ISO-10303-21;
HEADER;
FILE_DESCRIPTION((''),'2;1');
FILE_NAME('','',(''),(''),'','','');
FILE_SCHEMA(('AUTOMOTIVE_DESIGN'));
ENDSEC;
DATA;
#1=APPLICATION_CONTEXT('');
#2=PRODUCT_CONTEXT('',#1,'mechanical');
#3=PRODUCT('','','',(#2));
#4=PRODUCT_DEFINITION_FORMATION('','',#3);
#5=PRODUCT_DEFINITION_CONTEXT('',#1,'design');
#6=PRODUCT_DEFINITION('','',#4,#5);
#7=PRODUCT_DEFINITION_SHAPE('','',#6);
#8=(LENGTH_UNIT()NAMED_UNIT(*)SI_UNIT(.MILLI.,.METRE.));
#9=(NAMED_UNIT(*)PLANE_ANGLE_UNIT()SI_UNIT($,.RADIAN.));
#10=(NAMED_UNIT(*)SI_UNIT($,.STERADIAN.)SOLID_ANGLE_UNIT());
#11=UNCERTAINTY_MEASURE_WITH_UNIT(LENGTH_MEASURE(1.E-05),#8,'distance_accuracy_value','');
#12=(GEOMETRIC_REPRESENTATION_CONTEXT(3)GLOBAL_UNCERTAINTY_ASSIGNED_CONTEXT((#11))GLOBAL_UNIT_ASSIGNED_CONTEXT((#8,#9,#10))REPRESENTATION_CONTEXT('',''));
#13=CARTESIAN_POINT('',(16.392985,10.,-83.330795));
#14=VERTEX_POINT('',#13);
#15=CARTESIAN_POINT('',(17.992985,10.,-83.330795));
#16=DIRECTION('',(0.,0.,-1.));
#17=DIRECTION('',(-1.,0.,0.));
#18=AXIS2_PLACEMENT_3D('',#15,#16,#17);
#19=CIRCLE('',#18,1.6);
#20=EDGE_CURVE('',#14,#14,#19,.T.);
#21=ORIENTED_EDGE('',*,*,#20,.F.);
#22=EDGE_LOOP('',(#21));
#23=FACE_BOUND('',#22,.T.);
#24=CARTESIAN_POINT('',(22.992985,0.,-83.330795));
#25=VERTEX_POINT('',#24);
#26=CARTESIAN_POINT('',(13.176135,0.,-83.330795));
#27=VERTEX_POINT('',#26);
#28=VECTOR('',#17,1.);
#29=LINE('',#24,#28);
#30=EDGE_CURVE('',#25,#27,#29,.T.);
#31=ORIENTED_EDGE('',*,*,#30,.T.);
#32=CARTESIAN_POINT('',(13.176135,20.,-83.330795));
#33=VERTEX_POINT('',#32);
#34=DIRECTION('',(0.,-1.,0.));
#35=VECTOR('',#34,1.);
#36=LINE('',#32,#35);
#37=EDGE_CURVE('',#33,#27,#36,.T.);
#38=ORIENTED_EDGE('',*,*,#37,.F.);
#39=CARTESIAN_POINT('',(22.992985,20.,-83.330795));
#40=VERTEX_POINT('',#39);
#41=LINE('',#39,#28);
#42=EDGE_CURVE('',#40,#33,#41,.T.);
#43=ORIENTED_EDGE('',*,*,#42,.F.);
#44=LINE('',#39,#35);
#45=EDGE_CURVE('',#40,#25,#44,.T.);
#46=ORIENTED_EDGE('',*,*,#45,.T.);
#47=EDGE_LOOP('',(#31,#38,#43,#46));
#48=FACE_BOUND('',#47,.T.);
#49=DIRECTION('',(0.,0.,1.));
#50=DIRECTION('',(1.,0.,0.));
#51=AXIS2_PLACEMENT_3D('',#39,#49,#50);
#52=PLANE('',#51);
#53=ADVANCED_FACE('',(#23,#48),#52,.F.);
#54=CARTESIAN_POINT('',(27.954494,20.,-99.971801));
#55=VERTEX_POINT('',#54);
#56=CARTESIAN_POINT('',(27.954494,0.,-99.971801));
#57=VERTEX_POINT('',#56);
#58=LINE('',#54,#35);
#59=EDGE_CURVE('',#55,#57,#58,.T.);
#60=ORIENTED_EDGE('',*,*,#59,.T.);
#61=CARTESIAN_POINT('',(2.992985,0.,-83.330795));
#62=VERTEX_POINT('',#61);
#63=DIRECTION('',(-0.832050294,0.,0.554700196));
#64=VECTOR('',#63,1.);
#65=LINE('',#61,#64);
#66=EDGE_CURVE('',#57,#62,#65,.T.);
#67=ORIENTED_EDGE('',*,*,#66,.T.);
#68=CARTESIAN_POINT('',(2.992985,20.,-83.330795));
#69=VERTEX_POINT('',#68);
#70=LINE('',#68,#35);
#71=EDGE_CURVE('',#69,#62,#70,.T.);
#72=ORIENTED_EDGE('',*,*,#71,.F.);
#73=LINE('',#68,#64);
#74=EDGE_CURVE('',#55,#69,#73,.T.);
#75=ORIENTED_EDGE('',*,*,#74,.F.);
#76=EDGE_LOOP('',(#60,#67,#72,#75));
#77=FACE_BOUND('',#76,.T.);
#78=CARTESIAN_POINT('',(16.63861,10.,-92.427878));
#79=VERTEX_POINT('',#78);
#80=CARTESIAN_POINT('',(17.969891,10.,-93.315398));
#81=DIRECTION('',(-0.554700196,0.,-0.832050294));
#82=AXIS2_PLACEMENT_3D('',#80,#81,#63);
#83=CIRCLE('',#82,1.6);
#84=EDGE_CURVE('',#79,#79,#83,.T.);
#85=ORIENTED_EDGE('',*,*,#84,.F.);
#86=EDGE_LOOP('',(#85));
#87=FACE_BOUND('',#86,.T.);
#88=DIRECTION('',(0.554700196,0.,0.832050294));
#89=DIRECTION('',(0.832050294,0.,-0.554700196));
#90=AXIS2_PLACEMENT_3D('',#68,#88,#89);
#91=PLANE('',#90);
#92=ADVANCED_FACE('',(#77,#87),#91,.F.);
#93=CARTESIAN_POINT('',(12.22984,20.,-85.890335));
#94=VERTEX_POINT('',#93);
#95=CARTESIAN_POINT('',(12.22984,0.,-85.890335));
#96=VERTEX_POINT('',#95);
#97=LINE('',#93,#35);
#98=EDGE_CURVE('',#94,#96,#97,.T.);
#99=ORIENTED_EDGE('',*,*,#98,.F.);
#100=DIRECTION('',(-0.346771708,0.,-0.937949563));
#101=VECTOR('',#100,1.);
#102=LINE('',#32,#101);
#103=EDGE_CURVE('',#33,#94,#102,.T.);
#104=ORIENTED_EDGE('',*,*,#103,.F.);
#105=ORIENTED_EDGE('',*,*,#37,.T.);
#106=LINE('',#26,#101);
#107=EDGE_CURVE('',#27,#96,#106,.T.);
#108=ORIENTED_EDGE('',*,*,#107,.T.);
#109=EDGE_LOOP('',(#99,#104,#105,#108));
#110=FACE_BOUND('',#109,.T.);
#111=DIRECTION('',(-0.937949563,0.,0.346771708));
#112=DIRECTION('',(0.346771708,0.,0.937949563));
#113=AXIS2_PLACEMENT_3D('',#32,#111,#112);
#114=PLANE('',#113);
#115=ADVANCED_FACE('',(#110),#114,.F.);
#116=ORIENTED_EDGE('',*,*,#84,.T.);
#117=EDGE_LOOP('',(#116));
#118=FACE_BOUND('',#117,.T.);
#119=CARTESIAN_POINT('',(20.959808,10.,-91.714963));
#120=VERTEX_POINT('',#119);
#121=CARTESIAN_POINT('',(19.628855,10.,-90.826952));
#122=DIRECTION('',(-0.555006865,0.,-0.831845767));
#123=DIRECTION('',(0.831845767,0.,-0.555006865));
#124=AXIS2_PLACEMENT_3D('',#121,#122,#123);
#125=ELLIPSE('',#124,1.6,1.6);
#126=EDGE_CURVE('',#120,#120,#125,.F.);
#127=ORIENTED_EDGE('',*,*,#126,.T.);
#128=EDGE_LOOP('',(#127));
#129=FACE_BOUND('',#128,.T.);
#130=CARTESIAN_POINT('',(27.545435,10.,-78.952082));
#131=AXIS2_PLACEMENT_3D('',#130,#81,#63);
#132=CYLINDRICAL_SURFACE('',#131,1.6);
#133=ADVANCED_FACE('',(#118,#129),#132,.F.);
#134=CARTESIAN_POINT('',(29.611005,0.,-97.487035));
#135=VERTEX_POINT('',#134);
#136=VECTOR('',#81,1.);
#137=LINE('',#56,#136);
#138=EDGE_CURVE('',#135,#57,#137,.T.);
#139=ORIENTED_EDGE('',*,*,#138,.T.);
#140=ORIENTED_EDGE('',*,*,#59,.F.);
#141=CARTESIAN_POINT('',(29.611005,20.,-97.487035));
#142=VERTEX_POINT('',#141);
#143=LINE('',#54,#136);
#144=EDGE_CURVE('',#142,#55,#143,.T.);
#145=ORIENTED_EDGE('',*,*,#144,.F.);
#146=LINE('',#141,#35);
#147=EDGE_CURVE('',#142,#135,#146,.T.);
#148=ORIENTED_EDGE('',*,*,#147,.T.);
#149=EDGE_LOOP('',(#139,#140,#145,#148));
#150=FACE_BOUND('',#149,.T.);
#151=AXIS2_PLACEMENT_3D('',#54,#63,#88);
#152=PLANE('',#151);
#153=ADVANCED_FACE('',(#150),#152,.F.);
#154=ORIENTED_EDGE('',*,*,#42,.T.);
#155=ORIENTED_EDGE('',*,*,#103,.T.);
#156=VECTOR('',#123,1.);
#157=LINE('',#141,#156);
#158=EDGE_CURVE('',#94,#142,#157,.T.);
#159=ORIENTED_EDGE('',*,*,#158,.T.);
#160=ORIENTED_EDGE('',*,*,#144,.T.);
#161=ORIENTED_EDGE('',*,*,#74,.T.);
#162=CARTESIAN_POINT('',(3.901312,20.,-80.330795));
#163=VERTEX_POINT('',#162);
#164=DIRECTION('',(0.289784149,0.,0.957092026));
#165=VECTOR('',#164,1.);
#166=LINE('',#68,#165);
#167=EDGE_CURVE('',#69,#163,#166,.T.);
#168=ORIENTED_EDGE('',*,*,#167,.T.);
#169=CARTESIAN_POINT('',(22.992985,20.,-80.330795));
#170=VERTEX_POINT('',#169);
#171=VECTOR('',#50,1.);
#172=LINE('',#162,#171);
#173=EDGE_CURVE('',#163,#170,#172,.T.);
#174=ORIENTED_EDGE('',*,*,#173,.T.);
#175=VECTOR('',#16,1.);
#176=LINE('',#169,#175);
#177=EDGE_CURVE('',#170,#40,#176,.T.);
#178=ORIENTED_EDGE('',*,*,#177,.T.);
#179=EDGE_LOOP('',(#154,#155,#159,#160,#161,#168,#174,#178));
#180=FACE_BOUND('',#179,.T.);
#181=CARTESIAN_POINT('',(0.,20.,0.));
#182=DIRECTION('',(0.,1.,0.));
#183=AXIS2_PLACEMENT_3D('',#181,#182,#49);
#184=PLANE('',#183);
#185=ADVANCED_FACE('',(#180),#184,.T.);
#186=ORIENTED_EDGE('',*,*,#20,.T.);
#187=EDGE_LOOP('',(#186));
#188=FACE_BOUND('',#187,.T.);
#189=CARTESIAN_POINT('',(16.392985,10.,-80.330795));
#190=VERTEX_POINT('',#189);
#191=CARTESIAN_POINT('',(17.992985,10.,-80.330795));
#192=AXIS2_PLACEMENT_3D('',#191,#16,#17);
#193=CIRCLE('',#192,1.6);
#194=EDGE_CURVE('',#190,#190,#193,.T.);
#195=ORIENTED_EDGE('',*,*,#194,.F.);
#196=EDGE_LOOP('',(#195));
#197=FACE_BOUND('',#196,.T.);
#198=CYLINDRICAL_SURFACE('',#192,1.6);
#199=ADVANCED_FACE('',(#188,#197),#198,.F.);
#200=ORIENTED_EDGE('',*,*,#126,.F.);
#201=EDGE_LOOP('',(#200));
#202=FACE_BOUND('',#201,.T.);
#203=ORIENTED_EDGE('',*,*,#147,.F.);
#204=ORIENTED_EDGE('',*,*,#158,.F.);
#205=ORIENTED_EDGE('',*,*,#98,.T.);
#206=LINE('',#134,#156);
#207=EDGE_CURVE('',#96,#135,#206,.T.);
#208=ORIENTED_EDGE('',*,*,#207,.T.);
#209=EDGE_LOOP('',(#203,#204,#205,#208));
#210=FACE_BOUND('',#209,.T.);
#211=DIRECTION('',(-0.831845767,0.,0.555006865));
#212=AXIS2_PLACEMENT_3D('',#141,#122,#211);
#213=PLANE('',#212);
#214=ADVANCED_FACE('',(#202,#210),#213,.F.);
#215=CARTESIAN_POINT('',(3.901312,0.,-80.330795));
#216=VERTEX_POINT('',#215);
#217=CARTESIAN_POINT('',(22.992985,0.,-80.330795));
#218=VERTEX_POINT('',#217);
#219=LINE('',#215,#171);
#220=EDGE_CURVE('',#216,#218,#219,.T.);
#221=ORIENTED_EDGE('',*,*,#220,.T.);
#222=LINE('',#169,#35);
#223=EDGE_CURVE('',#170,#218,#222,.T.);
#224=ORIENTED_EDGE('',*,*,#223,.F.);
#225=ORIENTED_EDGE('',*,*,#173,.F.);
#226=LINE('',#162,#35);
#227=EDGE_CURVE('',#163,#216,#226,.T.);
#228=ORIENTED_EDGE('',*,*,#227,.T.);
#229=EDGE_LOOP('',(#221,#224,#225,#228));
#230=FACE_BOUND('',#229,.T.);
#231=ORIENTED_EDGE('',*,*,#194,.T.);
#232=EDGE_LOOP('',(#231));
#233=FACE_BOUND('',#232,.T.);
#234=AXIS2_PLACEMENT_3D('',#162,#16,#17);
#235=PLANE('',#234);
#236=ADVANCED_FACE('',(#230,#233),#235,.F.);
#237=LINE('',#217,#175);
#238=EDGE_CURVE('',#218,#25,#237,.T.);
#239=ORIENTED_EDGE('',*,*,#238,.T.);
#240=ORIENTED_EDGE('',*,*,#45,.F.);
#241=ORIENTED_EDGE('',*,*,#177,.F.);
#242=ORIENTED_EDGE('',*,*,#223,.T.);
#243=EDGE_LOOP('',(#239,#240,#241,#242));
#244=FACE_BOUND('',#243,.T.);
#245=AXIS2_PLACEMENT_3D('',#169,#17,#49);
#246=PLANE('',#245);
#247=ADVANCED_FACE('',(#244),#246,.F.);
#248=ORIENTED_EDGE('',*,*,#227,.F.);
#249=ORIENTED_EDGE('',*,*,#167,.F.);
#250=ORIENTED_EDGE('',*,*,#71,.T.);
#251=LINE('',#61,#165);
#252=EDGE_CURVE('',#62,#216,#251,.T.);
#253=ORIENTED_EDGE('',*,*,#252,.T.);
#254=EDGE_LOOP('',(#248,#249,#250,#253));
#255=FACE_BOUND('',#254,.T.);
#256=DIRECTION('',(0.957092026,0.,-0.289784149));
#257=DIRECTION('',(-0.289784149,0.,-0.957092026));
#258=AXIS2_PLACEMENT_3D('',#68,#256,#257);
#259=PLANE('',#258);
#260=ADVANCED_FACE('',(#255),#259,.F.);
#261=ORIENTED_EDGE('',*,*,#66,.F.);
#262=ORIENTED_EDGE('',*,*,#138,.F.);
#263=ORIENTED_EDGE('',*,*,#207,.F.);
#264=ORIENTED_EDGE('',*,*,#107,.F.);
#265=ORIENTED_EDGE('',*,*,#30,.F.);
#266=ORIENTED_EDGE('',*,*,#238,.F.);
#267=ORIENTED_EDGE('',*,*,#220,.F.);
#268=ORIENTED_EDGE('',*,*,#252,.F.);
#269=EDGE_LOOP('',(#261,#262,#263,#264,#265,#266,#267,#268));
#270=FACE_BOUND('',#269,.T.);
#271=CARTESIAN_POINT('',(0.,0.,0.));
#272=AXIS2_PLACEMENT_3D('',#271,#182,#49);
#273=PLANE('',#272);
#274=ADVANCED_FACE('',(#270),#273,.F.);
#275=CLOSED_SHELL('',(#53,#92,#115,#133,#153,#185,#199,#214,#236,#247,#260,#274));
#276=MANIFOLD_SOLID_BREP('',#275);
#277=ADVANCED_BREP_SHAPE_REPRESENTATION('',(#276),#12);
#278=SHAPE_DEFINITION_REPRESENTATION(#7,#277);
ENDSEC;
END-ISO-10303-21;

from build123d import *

# Parameters (mm, degrees)
EXTRUDE_1_DEPTH     = 20
SKETCH_4_R          = 1.6
CUT_EXTRUDE_1_DEPTH = 4
CUT_EXTRUDE_2_REACH = 19.261
SKETCH_5_R          = 1.6


with BuildPart() as part:
    # 草图1 → 凸台-拉伸1 (new body)
    with BuildSketch(Plane(origin=(0, 0, 0), x_dir=(1, 0, 0), z_dir=(0, 1, 0))):
        Polygon((3.90131241, 80.330794947), (22.992985496, 80.330794947), (22.992985496, 83.330794947), (13.176134515, 83.330794947), (12.229840324, 85.890335427), (29.611004769, 97.487035171), (27.954494327, 99.971800834), (2.992985496, 83.330794947), align=None)
    extrude(amount=EXTRUDE_1_DEPTH)

    # 草图4 → 切除-拉伸1 (cut, through all)
    with BuildSketch(Plane(origin=(0, 0, -83.330794947), x_dir=(-1, 0, 0), z_dir=(0, 0, -1))):
        with Locations((-17.992985496, 10)):
            Circle(SKETCH_4_R)
    extrude(amount=-CUT_EXTRUDE_1_DEPTH, mode=Mode.SUBTRACT)

    # 草图5 → 切除-拉伸2 (cut, up to next)
    with BuildSketch(Plane(origin=(-37.539448284, 0, -56.309172427), x_dir=(-0.832050294, 0, 0.554700196), z_dir=(-0.554700196, 0, -0.832050294)), mode=Mode.PRIVATE) as cut_extrude_2_sk1:
        with Locations((-66.713922772, 10)):
            Circle(SKETCH_5_R)
    cut_extrude_2_tool1 = extrude(cut_extrude_2_sk1.sketch, amount=-CUT_EXTRUDE_2_REACH, mode=Mode.PRIVATE) & part.part
    add(cut_extrude_2_tool1.solids().sort_by_distance((17.969891, 10, -93.315398))[0], mode=Mode.SUBTRACT)


solid = part.part
